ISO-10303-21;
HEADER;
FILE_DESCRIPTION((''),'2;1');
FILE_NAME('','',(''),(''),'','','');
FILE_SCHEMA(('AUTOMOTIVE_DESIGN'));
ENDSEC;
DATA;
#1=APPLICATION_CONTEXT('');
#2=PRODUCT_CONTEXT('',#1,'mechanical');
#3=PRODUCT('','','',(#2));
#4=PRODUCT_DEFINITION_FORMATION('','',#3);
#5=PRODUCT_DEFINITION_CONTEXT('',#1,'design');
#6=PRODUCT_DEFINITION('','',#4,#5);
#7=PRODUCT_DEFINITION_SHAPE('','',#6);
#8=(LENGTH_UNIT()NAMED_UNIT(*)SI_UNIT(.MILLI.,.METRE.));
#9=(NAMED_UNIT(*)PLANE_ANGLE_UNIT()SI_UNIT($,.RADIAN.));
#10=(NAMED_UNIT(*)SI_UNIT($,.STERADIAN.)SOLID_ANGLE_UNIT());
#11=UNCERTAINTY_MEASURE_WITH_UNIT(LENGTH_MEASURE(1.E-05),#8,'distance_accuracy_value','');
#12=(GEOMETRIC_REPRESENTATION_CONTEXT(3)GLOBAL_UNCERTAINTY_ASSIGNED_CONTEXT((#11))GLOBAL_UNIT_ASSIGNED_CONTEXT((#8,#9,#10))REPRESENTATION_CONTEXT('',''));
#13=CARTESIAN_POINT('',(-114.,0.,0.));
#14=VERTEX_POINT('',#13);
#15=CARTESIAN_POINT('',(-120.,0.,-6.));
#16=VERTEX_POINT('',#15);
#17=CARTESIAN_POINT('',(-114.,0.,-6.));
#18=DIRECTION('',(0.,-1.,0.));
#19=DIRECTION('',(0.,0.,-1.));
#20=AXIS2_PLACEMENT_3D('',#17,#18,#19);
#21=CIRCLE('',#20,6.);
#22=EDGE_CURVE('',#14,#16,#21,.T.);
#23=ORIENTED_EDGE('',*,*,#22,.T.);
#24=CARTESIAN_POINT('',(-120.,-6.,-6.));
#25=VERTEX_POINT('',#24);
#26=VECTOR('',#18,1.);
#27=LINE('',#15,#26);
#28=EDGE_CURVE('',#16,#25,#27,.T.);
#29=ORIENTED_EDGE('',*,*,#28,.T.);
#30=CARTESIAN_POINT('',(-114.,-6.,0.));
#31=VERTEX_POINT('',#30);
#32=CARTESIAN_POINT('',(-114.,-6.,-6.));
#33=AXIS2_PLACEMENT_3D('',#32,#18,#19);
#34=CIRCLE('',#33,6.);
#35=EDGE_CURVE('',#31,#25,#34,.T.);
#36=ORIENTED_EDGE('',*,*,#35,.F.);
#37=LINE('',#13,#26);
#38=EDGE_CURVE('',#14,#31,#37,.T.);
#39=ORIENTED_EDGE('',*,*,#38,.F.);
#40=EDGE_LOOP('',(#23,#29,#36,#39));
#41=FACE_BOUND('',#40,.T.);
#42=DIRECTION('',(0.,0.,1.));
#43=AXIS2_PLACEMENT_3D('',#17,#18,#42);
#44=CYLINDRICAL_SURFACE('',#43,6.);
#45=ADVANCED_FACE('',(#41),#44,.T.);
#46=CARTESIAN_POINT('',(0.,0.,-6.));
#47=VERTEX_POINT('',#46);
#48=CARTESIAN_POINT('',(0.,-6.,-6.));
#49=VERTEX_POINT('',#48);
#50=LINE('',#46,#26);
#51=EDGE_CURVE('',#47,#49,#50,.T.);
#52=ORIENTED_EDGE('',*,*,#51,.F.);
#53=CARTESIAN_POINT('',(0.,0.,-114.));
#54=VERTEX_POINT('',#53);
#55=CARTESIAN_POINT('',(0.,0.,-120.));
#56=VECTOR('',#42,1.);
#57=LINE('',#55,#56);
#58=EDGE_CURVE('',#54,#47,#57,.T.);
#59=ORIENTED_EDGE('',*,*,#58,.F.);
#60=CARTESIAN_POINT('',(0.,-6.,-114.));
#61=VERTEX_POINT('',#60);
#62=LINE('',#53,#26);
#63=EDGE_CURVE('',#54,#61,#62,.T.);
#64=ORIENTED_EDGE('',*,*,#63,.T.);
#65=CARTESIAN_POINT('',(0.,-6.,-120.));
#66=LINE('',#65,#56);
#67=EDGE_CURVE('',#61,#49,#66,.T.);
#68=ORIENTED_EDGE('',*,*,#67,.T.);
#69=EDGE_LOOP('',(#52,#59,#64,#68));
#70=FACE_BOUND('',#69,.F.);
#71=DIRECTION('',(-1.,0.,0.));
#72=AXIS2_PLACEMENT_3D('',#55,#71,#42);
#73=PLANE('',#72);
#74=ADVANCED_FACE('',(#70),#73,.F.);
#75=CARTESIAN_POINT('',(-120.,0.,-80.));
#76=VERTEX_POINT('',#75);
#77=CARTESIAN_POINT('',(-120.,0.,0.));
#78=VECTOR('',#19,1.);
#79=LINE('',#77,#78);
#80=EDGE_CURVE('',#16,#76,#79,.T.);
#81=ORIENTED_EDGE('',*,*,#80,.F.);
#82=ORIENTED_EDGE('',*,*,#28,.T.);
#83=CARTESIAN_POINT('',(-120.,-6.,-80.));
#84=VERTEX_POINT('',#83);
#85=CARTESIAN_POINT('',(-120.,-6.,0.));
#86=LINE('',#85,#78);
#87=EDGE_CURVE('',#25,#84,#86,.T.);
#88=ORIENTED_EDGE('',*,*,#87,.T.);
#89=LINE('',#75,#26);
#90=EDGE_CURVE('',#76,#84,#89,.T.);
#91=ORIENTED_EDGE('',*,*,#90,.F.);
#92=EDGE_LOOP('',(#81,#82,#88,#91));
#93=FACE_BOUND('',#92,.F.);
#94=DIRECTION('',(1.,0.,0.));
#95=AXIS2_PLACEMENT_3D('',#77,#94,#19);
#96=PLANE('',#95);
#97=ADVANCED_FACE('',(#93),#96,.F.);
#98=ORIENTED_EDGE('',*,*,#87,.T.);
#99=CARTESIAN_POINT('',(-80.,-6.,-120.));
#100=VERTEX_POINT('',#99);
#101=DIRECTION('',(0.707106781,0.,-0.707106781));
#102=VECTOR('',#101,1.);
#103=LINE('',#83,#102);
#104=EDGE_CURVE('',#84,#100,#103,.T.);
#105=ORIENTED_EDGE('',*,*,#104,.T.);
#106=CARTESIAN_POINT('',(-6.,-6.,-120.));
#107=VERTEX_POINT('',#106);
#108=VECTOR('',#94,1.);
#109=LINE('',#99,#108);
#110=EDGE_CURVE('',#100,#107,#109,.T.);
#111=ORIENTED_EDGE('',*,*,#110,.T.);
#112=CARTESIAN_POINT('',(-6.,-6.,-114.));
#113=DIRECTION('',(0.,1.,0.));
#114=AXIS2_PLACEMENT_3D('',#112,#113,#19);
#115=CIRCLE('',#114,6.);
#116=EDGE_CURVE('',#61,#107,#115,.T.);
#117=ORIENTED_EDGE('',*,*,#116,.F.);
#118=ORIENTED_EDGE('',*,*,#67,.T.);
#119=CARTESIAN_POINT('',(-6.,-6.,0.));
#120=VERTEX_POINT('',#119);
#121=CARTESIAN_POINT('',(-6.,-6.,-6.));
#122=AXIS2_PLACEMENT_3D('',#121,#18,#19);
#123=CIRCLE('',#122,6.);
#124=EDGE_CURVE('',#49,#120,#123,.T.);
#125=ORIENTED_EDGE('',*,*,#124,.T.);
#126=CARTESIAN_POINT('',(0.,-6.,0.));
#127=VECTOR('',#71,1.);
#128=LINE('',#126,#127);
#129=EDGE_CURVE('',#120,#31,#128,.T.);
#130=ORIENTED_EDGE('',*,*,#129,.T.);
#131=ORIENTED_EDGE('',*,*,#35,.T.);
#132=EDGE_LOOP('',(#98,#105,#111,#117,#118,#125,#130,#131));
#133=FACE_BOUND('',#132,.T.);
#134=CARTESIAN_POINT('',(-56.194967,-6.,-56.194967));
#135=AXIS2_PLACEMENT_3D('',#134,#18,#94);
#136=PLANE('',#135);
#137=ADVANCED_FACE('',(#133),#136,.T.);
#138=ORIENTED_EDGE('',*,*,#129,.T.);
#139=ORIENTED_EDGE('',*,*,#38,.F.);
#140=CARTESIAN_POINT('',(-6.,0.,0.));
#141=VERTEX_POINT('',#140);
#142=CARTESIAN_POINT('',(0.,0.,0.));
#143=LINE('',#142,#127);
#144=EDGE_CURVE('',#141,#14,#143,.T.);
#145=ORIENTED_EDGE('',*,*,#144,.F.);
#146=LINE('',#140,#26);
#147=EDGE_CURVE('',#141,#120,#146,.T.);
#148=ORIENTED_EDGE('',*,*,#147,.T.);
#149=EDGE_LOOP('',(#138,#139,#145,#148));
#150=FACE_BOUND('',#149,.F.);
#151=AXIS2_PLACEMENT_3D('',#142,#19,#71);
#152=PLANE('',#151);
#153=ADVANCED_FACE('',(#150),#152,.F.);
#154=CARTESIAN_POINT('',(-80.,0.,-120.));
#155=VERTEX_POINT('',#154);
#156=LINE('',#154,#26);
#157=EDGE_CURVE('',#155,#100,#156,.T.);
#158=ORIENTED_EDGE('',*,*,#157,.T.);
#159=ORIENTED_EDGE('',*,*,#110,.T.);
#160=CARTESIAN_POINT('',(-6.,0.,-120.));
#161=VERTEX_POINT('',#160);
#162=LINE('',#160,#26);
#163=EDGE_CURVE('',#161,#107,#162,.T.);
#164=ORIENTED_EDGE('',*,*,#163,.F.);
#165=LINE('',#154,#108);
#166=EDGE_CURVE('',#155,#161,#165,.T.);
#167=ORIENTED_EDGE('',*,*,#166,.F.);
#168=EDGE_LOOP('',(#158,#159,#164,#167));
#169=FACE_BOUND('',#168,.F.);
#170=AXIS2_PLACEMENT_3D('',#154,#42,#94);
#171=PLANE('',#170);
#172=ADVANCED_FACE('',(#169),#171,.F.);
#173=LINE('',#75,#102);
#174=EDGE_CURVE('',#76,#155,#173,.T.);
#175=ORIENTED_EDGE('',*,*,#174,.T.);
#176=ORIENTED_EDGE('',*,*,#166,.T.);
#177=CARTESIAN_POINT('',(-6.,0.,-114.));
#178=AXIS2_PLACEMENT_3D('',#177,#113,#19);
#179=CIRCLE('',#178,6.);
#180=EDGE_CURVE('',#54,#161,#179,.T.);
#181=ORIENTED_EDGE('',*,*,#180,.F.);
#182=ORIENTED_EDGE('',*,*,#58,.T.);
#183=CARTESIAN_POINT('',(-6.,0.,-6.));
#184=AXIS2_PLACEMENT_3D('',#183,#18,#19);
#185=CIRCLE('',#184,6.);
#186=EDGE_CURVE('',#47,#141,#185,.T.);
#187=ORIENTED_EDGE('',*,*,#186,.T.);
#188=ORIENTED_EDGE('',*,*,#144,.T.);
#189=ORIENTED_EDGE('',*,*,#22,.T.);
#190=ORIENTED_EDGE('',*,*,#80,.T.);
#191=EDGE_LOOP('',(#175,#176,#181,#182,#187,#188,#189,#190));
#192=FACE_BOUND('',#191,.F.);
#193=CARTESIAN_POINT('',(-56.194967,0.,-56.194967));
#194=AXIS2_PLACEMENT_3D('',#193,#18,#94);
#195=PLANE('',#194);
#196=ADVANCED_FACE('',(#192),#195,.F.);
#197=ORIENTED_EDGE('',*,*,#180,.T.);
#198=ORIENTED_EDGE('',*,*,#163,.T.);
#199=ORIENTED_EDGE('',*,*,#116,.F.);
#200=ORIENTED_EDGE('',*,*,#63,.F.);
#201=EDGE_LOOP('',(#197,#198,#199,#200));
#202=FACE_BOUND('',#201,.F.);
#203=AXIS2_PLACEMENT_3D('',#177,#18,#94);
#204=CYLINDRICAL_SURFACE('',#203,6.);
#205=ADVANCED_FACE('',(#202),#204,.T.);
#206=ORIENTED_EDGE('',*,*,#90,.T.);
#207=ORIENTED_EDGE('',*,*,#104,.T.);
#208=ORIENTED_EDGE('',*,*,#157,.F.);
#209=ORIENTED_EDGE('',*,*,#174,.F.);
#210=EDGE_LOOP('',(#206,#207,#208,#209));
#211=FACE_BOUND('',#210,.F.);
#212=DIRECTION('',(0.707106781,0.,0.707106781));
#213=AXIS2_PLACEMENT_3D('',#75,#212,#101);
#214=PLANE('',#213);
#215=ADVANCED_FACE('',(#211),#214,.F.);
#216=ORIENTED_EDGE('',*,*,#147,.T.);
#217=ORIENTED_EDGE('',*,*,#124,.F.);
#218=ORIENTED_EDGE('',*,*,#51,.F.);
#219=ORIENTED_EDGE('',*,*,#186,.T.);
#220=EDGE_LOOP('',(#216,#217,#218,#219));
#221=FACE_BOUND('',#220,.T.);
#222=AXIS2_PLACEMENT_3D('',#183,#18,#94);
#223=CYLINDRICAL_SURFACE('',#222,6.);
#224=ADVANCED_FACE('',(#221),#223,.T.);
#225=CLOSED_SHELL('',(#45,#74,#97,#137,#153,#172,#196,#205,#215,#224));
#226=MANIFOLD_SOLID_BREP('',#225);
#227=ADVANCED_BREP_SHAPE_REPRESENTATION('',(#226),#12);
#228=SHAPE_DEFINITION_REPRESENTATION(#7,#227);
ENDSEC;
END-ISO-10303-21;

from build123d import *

# Parameters (mm, degrees)
F1_DEPTH = 6
F2_R     = 6
F3_R     = 6


with BuildPart() as f1:
    # F0 (on Front) → F1 (new body)
    with BuildSketch(Plane.XZ):
        Polygon((0, -120), (0, 0), (-120, 0), (-120, -80), (-80, -120), align=None)
    extrude(amount=F1_DEPTH)

    # F2
    f2_edges = [f1.edges().sort_by_distance(p)[0] for p in [
        (0, -3, 0),
    ]]
    fillet(f2_edges, radius=F2_R)

    # F3
    f3_edges = [f1.edges().sort_by_distance(p)[0] for p in [
        (-120, -3, 0),
        (0, -3, -120),
    ]]
    fillet(f3_edges, radius=F3_R)


solid = f1.part
